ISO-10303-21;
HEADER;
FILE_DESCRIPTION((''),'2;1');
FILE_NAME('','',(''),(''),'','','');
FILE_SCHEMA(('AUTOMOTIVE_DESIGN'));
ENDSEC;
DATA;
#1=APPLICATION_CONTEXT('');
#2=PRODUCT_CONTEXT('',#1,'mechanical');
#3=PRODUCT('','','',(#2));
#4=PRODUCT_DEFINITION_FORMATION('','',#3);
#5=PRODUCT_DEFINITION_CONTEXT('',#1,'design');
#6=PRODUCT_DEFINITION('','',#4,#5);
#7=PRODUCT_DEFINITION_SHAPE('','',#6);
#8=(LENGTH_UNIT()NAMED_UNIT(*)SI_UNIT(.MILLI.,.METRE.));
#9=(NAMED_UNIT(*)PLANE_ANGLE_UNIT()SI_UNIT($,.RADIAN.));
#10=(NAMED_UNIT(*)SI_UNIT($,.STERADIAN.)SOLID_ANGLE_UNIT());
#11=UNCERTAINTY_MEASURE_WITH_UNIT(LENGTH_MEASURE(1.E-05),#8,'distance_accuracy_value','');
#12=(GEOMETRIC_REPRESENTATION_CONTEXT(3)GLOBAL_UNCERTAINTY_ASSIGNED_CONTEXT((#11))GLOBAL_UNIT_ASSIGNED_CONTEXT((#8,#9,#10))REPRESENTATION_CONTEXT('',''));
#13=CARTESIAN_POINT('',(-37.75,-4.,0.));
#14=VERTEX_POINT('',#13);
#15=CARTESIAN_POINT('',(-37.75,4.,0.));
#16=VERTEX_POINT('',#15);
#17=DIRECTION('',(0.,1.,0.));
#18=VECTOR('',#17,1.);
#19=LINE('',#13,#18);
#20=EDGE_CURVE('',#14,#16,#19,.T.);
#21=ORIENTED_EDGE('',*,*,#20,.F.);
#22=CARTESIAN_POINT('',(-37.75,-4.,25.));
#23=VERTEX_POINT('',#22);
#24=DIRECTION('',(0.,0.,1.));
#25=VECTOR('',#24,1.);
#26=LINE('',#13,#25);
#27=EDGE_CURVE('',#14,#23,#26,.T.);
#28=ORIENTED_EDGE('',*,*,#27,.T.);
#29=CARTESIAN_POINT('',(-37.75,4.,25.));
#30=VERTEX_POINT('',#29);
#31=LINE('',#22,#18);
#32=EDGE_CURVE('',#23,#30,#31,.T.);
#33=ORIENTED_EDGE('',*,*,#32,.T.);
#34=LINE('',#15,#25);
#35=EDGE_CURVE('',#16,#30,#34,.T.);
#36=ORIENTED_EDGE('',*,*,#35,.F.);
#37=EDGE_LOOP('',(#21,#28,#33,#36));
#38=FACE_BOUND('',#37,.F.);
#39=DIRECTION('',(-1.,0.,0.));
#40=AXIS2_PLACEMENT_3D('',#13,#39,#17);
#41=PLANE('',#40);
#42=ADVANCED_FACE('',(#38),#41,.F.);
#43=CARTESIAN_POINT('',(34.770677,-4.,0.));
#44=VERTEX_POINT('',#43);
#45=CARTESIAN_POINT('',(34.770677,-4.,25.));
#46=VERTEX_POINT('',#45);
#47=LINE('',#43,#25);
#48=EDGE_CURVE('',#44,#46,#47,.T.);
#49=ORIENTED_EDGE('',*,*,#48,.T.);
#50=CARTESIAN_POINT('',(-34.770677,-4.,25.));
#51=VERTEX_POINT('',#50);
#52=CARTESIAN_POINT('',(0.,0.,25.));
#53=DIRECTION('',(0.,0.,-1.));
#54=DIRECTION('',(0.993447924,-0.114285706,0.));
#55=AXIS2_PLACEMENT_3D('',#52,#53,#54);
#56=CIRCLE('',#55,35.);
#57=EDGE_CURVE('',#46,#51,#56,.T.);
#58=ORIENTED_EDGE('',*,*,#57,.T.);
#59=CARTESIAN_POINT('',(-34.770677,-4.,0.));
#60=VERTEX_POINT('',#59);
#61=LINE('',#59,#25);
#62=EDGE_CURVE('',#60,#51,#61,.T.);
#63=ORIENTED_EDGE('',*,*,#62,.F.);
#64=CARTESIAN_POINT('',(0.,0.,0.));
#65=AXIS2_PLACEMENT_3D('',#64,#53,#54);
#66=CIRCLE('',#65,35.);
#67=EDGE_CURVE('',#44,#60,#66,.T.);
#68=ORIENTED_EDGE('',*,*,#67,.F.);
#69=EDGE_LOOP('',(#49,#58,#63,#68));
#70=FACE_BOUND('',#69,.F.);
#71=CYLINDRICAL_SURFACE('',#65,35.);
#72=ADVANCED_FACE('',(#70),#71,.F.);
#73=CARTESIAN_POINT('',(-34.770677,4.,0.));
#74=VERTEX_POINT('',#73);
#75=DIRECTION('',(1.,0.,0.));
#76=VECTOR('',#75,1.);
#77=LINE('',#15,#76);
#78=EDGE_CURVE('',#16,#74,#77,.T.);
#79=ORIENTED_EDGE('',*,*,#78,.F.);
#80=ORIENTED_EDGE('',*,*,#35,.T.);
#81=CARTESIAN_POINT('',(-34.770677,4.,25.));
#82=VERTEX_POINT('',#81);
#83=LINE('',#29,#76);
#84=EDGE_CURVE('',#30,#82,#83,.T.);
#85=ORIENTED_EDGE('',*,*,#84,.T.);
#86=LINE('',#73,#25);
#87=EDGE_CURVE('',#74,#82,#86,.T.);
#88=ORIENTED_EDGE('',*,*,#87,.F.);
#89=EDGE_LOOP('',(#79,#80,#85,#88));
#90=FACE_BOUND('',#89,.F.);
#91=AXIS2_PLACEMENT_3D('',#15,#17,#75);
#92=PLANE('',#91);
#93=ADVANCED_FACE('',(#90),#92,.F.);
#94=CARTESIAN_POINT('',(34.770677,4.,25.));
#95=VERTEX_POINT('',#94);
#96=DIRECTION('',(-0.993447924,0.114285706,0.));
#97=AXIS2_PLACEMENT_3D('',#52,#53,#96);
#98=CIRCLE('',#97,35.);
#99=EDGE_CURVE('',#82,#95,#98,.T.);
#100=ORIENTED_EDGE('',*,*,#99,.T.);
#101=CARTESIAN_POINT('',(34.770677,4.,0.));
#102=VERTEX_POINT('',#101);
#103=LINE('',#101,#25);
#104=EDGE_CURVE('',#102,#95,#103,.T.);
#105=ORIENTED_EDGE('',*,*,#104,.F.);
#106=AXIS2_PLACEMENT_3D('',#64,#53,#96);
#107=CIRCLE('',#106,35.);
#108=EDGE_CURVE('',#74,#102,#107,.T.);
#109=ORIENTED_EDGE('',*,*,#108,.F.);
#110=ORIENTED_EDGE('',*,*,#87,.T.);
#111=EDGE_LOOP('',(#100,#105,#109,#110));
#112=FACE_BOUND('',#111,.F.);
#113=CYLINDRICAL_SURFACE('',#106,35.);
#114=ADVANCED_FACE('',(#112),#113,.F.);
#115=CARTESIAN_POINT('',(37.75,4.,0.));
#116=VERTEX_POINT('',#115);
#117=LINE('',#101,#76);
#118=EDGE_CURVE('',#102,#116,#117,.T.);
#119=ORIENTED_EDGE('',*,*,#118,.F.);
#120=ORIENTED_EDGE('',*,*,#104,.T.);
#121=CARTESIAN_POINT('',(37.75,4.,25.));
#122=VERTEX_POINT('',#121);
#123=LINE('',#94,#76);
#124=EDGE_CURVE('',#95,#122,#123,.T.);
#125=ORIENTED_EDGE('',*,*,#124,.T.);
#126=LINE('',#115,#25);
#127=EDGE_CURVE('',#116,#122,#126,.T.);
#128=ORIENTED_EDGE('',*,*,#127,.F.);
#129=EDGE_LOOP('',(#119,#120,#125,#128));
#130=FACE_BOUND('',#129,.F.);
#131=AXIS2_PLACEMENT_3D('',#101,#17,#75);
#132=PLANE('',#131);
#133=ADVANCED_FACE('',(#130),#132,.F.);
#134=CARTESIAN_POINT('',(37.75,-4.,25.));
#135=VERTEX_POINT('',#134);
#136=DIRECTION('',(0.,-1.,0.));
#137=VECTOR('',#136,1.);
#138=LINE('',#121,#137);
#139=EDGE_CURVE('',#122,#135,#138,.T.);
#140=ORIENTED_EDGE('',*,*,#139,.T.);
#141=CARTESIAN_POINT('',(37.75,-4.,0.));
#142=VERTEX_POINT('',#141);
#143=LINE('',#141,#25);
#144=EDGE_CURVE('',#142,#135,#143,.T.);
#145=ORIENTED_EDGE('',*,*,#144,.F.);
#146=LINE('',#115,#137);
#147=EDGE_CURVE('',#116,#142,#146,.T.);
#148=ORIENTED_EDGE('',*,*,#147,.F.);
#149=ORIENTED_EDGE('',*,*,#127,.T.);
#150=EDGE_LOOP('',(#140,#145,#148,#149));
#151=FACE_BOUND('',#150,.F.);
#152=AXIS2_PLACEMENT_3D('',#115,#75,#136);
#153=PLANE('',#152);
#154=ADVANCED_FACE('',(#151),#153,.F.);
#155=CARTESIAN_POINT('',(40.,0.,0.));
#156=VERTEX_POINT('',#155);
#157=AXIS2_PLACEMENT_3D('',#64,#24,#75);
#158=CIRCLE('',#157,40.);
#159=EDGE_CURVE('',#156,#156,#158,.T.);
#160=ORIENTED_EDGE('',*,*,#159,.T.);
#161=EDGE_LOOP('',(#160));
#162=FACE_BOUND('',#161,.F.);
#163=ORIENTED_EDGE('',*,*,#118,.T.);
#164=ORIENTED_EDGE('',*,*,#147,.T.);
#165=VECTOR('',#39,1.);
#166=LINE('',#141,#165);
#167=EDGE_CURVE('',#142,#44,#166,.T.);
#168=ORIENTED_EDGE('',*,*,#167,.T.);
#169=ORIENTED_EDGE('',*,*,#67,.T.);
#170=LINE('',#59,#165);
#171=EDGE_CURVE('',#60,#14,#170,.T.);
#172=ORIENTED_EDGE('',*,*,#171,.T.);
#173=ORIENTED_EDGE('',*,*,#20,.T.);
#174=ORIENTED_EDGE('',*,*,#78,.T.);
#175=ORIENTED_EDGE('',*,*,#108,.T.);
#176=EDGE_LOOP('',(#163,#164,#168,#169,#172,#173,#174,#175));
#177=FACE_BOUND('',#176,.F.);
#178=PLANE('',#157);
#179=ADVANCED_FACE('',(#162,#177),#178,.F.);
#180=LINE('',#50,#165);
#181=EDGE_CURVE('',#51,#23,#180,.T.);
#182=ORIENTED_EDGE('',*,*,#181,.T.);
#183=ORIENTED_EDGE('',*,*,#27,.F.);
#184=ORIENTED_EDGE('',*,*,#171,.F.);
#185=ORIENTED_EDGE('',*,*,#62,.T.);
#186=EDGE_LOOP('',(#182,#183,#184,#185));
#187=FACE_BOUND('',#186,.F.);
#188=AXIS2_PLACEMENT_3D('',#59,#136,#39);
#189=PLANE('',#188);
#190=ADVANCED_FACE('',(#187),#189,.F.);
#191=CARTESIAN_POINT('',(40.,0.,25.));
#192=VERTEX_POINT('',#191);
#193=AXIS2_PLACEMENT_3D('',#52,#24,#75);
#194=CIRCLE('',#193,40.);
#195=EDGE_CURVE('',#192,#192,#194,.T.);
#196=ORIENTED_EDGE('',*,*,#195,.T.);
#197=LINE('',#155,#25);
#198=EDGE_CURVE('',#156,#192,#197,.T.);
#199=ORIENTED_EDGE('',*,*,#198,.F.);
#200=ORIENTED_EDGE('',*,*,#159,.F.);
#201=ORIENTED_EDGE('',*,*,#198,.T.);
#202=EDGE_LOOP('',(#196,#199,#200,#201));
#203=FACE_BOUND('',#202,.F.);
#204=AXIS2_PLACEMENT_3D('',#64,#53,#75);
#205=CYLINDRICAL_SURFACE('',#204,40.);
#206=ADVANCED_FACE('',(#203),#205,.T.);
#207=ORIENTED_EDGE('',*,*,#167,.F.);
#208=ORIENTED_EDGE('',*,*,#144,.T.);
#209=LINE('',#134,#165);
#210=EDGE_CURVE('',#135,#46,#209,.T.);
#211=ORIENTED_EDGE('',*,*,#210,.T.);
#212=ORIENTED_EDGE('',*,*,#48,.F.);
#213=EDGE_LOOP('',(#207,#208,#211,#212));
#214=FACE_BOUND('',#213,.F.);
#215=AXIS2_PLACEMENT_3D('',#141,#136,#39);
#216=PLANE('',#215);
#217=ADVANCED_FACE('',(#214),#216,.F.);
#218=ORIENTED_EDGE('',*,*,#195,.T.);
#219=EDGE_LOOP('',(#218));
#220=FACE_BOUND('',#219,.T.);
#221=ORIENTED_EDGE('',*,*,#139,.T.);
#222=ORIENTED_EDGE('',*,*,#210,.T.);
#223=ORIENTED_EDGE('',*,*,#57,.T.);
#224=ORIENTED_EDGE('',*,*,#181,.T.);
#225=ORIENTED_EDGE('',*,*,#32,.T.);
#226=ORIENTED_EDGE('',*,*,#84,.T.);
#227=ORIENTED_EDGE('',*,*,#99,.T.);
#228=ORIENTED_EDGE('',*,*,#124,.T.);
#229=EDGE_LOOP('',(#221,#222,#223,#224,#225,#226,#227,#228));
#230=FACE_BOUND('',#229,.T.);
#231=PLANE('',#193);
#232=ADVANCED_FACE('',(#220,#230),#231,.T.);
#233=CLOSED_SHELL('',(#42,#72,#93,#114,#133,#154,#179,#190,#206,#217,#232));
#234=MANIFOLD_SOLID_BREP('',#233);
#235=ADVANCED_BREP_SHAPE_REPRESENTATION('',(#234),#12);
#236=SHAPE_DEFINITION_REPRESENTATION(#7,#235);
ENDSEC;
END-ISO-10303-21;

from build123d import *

# Parameters (mm, degrees)
F0_R     = 40
F1_DEPTH = 25


with BuildPart() as f1:
    # F0 (on Top) → F1 (new body)
    with BuildSketch(Plane.XY):
        Circle(F0_R)
        with BuildLine():
            Line((37.75, 4), (37.75, -4))
            Line((37.75, -4), (34.770677, -4))
            ThreePointArc((34.770677, -4), (0, -35), (-34.770677, -4))
            Line((-34.770677, -4), (-37.75, -4))
            Line((-37.75, -4), (-37.75, 4))
            Line((-37.75, 4), (-34.770677, 4))
            ThreePointArc((-34.770677, 4), (0, 35), (34.770677, 4))
            Line((34.770677, 4), (37.75, 4))
        make_face(mode=Mode.SUBTRACT)
    extrude(amount=F1_DEPTH)


solid = f1.part
